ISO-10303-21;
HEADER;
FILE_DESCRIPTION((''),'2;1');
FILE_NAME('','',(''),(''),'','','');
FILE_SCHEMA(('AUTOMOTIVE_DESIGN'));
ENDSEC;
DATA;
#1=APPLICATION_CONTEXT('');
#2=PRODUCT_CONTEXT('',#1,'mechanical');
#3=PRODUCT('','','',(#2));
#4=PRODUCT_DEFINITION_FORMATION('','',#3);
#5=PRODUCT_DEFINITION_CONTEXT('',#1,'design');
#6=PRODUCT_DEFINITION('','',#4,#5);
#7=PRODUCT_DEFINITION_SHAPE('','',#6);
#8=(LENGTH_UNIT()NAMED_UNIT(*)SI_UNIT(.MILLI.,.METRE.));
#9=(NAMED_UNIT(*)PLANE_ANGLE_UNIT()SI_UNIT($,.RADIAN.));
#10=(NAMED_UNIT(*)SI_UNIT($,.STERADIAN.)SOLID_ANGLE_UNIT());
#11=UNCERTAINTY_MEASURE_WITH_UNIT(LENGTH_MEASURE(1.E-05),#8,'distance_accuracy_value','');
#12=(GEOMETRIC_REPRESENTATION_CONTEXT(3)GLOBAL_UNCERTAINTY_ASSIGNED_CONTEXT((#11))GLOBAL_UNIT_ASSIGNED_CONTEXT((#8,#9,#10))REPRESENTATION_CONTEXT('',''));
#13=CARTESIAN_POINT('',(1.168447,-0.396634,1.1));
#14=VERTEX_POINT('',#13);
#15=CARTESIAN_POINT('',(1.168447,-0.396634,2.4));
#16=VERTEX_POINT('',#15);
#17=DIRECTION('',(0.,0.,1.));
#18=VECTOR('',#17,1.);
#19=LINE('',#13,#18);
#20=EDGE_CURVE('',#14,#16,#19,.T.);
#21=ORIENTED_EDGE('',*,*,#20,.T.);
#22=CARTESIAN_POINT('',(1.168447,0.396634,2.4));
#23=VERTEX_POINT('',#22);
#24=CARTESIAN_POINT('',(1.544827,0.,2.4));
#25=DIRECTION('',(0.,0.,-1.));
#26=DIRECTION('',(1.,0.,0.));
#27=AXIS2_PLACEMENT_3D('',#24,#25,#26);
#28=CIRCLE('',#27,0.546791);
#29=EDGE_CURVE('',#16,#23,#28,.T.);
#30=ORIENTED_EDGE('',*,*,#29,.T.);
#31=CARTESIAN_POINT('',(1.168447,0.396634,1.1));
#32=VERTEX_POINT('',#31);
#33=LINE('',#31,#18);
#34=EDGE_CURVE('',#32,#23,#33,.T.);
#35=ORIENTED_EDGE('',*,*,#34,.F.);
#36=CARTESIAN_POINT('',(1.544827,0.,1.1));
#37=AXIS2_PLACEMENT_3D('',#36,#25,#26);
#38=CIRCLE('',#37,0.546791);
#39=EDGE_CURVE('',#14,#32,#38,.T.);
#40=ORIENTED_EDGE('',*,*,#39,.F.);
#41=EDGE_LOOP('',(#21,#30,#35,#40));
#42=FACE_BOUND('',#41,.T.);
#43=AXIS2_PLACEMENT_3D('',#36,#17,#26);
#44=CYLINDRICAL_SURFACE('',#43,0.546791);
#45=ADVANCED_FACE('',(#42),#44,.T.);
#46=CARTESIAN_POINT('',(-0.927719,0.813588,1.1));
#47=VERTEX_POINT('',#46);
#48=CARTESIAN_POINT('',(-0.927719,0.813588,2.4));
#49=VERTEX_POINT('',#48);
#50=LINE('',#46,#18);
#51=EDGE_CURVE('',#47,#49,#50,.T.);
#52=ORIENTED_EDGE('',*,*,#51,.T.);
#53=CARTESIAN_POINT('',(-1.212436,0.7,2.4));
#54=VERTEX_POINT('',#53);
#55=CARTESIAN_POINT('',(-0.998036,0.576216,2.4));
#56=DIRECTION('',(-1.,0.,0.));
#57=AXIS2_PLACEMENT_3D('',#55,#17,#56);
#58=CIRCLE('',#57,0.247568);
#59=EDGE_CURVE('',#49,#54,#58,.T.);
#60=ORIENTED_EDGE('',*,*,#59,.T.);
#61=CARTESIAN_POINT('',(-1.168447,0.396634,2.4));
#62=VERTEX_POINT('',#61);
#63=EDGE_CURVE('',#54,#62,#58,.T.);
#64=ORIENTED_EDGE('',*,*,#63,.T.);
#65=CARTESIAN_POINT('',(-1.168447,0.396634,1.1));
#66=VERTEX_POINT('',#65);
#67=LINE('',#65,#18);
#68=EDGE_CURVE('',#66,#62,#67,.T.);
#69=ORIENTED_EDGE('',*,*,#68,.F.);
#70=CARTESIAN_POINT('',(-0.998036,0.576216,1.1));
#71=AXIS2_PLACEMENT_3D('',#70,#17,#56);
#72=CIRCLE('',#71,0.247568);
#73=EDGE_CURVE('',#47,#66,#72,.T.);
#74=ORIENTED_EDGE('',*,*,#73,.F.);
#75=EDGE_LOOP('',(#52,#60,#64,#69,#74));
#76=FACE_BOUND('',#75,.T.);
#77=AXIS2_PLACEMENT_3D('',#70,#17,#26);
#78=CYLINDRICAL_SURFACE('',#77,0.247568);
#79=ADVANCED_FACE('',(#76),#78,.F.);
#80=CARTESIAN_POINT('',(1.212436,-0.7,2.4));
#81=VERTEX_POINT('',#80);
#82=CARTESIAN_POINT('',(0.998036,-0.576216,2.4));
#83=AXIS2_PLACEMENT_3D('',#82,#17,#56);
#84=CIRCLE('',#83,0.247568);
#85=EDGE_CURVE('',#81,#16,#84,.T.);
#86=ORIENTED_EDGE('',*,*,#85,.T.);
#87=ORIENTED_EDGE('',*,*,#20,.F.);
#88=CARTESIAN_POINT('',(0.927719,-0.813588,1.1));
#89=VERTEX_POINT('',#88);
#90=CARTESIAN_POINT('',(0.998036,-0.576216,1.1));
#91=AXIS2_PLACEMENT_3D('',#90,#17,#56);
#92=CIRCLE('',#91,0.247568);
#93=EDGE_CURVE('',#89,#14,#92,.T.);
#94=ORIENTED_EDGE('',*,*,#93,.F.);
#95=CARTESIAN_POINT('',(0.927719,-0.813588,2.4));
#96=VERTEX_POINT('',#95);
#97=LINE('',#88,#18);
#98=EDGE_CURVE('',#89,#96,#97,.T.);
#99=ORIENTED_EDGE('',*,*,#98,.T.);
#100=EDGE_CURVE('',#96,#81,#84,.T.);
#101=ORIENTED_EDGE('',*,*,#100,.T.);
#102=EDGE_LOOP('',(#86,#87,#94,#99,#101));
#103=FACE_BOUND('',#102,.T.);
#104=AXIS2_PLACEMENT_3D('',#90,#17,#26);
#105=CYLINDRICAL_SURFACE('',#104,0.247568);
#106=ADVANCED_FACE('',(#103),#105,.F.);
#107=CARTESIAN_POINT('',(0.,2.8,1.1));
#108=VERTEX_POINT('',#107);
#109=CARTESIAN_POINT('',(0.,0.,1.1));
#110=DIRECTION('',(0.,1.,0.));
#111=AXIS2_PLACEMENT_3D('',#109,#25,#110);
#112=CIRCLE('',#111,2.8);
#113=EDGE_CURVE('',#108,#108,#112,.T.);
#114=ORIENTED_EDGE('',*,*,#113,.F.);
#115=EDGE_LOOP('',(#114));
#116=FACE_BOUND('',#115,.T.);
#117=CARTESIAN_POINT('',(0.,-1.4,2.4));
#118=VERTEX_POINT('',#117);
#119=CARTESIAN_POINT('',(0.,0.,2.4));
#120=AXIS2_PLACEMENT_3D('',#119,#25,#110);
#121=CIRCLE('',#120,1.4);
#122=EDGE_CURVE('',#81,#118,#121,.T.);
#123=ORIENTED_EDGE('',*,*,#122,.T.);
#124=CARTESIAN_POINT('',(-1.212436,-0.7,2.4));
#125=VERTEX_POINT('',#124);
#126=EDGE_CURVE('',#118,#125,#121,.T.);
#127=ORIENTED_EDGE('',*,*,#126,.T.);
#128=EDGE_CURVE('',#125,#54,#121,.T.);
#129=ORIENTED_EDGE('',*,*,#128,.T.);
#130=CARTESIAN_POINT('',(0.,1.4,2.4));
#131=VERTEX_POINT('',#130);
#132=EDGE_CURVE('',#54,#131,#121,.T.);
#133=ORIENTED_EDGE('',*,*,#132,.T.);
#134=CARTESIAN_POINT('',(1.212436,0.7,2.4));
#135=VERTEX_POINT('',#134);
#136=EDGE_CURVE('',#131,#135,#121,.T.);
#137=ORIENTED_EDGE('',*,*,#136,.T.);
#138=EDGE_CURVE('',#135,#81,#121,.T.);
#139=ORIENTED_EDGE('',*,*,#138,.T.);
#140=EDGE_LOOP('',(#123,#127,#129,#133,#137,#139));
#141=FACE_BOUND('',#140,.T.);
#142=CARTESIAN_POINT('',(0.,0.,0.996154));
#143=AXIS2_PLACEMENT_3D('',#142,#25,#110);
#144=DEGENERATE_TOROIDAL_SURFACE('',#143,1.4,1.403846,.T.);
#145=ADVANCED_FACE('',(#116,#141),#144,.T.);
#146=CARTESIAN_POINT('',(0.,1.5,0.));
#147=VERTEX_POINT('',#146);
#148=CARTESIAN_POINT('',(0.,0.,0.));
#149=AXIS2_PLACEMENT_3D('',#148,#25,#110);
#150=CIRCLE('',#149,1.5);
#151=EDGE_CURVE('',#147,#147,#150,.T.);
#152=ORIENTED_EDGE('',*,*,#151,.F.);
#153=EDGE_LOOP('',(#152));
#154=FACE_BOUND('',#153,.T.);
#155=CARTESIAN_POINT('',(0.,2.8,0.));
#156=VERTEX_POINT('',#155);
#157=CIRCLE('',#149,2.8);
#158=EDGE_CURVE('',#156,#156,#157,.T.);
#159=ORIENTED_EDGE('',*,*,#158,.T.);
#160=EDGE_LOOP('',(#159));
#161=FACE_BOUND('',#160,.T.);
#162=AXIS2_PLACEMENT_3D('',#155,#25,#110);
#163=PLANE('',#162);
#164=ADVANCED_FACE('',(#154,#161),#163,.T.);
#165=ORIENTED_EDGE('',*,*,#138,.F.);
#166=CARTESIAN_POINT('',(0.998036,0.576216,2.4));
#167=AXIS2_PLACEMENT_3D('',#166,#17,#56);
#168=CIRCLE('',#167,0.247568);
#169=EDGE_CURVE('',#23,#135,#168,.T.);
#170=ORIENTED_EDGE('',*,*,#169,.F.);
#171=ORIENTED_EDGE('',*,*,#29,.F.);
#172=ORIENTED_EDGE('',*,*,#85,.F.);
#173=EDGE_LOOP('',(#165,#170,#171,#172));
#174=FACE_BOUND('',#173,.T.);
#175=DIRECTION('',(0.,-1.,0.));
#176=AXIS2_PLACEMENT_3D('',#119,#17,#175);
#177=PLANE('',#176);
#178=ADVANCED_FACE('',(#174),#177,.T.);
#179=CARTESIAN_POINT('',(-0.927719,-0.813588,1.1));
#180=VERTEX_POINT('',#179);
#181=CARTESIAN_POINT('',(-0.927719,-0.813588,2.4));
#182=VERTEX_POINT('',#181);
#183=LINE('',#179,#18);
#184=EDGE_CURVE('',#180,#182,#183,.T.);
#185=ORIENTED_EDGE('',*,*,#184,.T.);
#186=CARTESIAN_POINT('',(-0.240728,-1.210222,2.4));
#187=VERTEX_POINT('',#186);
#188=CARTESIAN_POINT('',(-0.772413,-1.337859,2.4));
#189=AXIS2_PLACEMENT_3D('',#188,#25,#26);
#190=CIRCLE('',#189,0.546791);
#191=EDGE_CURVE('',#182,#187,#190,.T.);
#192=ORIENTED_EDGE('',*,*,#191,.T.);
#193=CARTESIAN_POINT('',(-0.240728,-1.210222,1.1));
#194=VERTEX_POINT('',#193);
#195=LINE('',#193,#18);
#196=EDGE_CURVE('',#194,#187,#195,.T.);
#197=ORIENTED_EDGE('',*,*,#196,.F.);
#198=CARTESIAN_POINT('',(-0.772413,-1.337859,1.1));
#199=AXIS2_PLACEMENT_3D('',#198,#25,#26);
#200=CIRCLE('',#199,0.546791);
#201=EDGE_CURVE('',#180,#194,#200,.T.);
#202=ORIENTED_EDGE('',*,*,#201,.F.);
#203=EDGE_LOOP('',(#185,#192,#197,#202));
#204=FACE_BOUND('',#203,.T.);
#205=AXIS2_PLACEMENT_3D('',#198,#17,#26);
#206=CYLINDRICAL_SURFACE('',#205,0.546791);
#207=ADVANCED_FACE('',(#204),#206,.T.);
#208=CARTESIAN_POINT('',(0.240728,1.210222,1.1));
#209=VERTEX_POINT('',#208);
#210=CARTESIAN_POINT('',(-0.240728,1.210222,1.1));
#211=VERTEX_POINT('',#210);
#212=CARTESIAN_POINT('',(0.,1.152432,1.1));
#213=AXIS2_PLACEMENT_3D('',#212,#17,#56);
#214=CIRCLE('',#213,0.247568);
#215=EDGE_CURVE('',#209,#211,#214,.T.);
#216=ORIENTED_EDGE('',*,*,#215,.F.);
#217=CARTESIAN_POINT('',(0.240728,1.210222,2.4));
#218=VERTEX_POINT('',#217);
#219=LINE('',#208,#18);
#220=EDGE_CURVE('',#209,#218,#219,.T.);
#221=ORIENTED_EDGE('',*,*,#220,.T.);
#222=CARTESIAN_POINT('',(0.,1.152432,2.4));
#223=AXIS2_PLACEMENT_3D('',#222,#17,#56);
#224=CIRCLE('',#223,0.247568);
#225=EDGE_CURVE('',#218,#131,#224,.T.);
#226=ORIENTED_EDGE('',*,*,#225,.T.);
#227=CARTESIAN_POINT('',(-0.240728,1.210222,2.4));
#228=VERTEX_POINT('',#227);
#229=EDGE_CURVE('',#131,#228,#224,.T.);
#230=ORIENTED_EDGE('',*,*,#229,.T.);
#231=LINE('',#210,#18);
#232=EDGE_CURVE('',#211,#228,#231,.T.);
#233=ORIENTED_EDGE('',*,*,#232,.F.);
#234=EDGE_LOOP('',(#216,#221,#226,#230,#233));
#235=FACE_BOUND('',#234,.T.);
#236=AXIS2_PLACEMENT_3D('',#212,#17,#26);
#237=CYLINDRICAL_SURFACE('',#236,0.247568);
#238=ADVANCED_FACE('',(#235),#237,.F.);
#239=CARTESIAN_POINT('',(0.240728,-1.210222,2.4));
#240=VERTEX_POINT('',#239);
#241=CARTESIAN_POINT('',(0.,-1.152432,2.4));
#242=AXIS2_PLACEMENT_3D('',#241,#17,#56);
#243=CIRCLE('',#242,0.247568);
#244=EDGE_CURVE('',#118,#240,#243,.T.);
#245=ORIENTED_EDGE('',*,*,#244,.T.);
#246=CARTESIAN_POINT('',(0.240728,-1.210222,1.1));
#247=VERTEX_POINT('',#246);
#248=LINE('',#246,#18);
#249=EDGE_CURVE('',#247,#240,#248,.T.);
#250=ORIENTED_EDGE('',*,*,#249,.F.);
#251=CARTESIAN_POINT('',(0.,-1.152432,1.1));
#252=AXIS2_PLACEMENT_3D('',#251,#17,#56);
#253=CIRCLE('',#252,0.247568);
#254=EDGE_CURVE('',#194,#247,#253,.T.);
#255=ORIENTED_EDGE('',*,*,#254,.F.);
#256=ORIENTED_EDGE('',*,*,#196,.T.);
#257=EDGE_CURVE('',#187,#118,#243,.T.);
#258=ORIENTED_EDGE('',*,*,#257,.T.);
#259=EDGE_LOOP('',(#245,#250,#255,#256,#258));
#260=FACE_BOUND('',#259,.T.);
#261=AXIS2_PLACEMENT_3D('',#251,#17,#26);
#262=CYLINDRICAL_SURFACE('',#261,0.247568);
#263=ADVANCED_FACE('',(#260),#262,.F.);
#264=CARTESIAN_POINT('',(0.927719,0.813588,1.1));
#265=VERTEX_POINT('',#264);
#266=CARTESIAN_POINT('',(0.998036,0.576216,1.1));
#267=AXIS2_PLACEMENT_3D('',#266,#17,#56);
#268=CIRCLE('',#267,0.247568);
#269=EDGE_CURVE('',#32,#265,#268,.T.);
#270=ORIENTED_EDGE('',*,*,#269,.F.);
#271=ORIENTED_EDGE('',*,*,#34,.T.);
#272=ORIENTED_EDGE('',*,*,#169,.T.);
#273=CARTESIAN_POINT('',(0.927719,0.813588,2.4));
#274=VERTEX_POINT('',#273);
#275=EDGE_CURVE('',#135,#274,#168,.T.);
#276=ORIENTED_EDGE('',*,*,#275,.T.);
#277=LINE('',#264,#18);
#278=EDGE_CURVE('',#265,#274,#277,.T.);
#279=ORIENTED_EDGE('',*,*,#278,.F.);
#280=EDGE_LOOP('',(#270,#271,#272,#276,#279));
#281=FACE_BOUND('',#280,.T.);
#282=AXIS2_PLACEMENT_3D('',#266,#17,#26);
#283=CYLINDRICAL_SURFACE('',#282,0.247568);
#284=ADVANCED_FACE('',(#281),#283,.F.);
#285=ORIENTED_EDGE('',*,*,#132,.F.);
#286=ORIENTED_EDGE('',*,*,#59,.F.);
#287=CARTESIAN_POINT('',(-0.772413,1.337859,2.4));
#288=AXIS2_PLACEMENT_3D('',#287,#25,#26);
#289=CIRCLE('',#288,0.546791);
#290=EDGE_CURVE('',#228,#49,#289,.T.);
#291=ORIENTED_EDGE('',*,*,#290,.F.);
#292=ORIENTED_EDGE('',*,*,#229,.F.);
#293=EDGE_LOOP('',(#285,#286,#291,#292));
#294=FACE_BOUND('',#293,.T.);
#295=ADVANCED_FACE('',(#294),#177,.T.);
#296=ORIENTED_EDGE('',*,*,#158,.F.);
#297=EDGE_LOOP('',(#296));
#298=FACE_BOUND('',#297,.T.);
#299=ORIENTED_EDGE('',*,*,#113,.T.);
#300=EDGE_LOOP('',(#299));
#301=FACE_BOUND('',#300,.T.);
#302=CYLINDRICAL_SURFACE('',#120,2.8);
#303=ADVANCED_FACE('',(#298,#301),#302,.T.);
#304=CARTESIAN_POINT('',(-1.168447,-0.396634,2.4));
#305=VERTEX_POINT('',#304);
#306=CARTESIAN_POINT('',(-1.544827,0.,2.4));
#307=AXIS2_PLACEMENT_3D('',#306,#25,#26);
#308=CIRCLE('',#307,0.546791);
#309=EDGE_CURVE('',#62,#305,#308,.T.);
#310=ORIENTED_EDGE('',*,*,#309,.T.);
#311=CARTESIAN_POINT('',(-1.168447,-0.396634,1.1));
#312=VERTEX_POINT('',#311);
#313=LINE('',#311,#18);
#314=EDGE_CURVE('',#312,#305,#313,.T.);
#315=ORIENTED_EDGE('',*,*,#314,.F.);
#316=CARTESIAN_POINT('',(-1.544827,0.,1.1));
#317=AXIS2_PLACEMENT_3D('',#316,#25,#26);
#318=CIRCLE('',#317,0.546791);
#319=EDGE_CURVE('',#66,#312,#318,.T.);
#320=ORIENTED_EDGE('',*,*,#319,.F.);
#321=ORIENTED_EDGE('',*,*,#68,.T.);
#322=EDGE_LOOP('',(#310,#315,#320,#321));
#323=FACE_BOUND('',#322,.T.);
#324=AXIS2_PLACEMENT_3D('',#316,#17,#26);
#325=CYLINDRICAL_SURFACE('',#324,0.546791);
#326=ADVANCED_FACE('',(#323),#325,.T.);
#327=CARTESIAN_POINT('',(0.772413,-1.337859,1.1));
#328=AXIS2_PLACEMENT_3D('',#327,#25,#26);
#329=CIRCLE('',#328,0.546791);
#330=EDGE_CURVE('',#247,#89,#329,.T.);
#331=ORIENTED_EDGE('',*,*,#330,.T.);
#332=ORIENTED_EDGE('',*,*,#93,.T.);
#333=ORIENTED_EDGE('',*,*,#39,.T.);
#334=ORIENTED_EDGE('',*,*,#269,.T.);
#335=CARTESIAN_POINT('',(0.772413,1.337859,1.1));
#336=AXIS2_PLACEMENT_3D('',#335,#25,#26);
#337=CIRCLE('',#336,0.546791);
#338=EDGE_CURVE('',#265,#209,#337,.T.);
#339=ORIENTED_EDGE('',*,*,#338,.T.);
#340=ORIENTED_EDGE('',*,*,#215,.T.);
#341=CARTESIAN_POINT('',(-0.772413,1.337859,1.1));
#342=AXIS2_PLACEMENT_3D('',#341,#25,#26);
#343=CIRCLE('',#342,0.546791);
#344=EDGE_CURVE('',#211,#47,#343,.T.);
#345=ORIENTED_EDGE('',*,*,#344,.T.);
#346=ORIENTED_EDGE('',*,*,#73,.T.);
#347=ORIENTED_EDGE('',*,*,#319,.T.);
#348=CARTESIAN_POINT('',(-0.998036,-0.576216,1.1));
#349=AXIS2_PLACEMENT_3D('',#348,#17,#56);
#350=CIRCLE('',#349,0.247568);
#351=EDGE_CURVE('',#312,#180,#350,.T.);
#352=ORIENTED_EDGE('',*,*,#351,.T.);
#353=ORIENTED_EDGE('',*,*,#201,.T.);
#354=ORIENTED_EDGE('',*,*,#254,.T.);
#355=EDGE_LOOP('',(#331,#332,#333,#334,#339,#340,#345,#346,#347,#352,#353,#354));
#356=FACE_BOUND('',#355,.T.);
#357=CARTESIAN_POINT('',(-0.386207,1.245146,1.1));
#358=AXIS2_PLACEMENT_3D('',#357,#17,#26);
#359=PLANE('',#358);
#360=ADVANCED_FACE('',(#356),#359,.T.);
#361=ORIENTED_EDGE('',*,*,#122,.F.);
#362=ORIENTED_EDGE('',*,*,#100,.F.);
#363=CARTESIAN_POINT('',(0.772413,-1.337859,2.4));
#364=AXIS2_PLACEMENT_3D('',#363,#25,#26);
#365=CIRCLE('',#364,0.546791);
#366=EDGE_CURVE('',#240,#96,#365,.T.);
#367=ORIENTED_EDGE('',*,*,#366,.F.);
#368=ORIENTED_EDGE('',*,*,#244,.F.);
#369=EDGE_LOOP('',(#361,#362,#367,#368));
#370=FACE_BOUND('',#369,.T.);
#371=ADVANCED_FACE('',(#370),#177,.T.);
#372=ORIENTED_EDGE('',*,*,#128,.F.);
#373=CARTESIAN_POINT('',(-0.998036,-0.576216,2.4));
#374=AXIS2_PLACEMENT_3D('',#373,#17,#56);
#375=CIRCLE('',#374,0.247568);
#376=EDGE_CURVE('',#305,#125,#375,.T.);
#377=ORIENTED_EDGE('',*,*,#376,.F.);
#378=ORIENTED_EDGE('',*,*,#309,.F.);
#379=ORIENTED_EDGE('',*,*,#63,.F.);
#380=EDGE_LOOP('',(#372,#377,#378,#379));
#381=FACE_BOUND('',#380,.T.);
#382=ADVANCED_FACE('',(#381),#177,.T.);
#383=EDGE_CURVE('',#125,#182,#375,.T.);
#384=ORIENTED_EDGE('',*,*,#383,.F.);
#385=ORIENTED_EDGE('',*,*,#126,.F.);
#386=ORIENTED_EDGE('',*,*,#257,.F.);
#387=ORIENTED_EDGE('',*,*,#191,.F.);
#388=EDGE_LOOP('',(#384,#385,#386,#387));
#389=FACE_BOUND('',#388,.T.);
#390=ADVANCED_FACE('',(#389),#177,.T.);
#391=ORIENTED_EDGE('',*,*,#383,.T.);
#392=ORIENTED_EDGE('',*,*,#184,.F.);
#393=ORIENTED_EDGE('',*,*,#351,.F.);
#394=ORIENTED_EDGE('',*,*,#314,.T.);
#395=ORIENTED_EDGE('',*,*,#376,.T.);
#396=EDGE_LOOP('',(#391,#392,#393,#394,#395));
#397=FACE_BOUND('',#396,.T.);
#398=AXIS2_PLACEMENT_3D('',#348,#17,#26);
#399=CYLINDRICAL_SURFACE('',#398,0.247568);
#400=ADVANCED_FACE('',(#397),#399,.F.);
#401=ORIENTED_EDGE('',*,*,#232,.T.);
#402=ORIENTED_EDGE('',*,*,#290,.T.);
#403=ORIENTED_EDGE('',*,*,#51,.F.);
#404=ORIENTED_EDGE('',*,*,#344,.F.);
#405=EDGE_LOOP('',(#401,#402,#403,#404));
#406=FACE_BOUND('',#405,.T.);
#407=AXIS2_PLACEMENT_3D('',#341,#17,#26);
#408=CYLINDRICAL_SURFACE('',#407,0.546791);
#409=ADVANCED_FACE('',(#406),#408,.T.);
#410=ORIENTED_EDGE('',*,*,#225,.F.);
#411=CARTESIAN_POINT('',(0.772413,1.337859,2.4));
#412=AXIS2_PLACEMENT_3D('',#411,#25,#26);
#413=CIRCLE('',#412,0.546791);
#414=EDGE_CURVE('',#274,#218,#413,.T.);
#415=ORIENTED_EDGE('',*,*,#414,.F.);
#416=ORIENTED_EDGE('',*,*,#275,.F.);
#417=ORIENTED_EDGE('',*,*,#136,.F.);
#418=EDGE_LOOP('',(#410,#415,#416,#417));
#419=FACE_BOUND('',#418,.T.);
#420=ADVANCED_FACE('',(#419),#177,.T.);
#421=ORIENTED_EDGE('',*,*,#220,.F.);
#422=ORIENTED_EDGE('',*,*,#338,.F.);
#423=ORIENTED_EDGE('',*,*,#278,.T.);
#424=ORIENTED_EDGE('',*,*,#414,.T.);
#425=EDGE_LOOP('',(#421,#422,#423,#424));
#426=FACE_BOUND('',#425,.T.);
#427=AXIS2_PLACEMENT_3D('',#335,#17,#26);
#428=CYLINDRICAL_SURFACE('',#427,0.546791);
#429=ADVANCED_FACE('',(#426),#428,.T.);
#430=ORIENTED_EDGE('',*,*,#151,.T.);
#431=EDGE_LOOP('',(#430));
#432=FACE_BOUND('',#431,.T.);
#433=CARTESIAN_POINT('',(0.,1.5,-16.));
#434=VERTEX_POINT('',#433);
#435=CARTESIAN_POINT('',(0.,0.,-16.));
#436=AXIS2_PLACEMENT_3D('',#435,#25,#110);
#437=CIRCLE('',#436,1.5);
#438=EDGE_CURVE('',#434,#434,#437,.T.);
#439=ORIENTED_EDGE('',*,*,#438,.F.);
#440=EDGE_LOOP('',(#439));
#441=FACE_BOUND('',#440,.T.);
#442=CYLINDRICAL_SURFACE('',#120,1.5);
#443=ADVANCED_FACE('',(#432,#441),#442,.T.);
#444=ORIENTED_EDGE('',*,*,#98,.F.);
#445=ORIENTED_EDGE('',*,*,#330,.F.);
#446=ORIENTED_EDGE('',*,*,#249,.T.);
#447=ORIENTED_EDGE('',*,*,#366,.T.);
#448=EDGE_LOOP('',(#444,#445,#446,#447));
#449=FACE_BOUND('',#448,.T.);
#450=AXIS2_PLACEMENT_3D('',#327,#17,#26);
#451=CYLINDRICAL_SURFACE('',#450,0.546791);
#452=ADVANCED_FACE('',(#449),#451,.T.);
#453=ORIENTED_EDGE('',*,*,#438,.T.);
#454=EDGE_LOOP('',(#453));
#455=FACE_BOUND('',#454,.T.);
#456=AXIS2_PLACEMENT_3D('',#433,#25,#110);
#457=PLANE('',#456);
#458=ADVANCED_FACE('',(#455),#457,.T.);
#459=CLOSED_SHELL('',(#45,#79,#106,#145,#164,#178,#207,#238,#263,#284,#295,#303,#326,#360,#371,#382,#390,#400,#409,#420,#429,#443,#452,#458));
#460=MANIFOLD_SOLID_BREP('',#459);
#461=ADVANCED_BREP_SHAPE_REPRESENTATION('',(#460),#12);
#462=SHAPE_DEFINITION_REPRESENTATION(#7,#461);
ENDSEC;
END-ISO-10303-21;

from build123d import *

# Parameters (mm, degrees)
ENL_V_MAT_EXTRU_1_DEPTH = 1.3


with BuildPart() as part:
    # Esquisse1 → Révolution1 (revolve)
    with BuildSketch(Plane(origin=(0, 0, 0), x_dir=(0, 0, -1), z_dir=(1, 0, 0))):
        with BuildLine():
            Line((-2.4, 0), (-2.4, 1.4))
            ThreePointArc((-2.4, 1.4), (-2.024883171, 2.355248659), (-1.1, 2.8))
            Line((-1.1, 2.8), (0, 2.8))
            Line((0, 2.8), (0, 1.5))
            Line((0, 1.5), (16, 1.5))
            Line((16, 1.5), (16, 0))
            Line((16, 0), (-2.4, 0))
        make_face()
    revolve(axis=Axis((0, 0, 2.4), (0, 0, 1)))

    # Esquisse2 → Enlèv. mat.-Extru.1 (cut)
    with BuildSketch(Plane.XY.offset(2.4)):
        with BuildLine():
            ThreePointArc((-0.240728142, 1.210222096), (0, 1.4), (0.240728142, 1.210222096))
            ThreePointArc((0.240728142, 1.210222096), (0.499017901, 0.864324358), (0.927719008, 0.813587734))
            ThreePointArc((0.927719008, 0.813587734), (1.212435565, 0.7), (1.16844715, 0.396634361))
            ThreePointArc((1.16844715, 0.396634361), (0.998035801, 0), (1.16844715, -0.396634361))
            ThreePointArc((1.16844715, -0.396634361), (1.212435565, -0.7), (0.927719008, -0.813587734))
            ThreePointArc((0.927719008, -0.813587734), (0.499017901, -0.864324358), (0.240728142, -1.210222096))
            ThreePointArc((0.240728142, -1.210222096), (0, -1.4), (-0.240728142, -1.210222096))
            ThreePointArc((-0.240728142, -1.210222096), (-0.499017901, -0.864324358), (-0.927719008, -0.813587734))
            ThreePointArc((-0.927719008, -0.813587734), (-1.212435565, -0.7), (-1.16844715, -0.396634361))
            ThreePointArc((-1.16844715, -0.396634361), (-0.998035801, 0), (-1.16844715, 0.396634361))
            ThreePointArc((-1.16844715, 0.396634361), (-1.212435565, 0.7), (-0.927719008, 0.813587734))
            ThreePointArc((-0.927719008, 0.813587734), (-0.499017901, 0.864324358), (-0.240728142, 1.210222096))
        make_face()
    extrude(amount=-ENL_V_MAT_EXTRU_1_DEPTH, mode=Mode.SUBTRACT)


solid = part.part
